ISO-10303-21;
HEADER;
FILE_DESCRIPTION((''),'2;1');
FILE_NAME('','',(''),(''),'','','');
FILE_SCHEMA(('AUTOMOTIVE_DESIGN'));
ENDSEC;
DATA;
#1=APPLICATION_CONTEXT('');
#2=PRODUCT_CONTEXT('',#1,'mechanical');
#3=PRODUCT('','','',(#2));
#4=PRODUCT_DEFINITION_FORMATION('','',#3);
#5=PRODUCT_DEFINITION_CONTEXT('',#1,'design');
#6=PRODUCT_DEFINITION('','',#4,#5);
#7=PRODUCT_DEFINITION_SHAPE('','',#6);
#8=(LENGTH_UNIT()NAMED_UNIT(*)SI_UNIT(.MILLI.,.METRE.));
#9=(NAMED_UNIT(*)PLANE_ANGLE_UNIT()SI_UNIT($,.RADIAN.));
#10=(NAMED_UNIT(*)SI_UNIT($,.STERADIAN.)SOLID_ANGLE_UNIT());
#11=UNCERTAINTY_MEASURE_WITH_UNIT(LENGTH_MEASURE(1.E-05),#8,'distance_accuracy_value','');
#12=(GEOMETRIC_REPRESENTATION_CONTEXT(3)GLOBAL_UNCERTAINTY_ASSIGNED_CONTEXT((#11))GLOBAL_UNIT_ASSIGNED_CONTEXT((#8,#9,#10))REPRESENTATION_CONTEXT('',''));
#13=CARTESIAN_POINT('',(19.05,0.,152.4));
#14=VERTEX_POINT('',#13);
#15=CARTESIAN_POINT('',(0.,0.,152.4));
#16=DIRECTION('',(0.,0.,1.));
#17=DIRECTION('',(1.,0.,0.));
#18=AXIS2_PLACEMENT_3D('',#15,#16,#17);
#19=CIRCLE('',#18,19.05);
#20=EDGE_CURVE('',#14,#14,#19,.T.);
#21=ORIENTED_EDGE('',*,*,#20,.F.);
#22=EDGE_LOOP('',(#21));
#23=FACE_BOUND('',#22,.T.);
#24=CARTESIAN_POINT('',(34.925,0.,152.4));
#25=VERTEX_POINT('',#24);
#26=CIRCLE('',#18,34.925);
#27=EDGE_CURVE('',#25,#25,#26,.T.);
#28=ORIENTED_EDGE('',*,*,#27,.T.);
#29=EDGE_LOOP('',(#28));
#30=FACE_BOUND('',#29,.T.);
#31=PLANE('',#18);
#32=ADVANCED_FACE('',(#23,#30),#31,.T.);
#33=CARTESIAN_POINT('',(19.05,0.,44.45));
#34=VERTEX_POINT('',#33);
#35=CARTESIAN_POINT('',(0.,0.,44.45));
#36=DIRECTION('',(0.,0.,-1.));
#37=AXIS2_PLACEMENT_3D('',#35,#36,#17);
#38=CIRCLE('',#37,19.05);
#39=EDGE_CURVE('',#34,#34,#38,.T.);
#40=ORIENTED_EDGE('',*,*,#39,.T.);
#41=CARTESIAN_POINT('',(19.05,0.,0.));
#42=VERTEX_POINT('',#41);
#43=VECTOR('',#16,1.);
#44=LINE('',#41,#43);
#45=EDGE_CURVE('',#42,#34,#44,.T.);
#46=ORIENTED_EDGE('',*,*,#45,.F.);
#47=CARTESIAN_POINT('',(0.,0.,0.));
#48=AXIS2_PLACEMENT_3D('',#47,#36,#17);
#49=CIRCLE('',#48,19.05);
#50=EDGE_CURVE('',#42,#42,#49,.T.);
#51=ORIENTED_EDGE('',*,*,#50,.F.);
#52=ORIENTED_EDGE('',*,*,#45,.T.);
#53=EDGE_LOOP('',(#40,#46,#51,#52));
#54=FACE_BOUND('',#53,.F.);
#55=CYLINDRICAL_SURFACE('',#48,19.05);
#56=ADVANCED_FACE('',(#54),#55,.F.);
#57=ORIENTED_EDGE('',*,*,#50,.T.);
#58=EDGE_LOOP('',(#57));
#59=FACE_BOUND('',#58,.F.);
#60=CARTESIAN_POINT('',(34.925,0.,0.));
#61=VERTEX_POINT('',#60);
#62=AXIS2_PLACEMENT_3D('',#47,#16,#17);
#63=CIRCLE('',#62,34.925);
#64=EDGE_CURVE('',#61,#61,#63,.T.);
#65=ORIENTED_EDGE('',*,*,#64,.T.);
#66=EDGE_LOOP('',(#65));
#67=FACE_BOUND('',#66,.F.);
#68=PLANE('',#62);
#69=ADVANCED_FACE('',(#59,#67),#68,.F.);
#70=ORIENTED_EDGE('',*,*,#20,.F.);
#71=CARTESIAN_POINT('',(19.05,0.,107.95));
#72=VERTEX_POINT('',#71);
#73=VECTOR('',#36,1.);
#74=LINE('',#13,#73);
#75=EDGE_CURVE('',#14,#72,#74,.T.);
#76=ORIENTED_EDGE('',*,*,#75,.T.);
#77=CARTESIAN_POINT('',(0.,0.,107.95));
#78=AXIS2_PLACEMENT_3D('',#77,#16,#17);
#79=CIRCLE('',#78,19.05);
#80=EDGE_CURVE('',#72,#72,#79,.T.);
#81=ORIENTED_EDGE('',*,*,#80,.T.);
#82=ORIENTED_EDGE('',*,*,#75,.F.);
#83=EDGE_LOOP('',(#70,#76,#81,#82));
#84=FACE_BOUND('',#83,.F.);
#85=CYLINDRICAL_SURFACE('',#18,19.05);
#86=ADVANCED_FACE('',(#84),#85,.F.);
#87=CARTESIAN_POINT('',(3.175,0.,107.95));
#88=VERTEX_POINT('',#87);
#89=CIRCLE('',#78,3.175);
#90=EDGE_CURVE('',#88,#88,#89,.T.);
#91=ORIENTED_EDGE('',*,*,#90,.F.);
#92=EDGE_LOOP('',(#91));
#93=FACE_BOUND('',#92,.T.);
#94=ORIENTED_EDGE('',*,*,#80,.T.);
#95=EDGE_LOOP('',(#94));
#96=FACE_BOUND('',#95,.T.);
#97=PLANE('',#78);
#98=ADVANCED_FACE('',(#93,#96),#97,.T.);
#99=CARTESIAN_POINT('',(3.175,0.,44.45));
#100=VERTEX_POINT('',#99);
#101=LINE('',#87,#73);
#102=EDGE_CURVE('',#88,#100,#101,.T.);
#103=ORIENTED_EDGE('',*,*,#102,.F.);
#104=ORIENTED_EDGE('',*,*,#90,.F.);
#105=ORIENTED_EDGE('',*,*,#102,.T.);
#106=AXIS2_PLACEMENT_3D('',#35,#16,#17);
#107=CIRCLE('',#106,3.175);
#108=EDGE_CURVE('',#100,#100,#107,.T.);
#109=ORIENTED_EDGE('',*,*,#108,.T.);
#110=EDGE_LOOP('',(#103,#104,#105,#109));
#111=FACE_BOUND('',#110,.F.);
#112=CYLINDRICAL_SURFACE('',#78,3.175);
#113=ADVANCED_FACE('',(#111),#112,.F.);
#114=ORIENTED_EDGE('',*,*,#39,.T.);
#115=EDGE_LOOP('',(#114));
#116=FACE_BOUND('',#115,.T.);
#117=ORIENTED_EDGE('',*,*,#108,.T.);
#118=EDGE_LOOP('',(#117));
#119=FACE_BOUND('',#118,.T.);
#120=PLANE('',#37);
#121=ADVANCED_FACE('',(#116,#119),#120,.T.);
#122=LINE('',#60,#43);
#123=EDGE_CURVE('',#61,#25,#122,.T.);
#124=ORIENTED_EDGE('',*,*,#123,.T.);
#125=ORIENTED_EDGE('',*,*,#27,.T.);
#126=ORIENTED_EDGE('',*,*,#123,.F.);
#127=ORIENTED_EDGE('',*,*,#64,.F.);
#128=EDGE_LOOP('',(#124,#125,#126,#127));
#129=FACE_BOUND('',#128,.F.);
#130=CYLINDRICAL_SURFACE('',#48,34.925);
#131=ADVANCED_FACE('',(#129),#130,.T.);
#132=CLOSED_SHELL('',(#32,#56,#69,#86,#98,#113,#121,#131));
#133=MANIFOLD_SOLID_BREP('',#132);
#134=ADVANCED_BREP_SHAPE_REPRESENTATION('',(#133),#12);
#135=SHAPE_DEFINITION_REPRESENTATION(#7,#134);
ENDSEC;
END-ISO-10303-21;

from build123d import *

# Parameters (mm, degrees)
F0_R     = 34.925
F1_DEPTH = 152.4
F2_R     = 19.05
F3_DEPTH = 44.45
F4_R     = 19.05
F5_DEPTH = 44.45
F6_R     = 3.175
F7_DEPTH = 152.4


with BuildPart() as f1:
    # F0 (on Top) → F1 (new body)
    with BuildSketch(Plane.XY):
        Circle(F0_R)
    extrude(amount=F1_DEPTH)

    # F2 (on face) → F3 (cut)
    with BuildSketch(Plane.XY.offset(152.4)):
        Circle(F2_R)
    extrude(amount=-F3_DEPTH, mode=Mode.SUBTRACT)

    # F4 (on face) → F5 (cut)
    with BuildSketch(Plane(origin=(0, 0, 0), x_dir=(1, 0, 0), z_dir=(0, 0, -1))):
        Circle(F4_R)
    extrude(amount=-F5_DEPTH, mode=Mode.SUBTRACT)

    # F6 (on face) → F7 (cut)
    with BuildSketch(Plane.XY.offset(107.95)):
        Circle(F6_R)
    extrude(amount=-F7_DEPTH, mode=Mode.SUBTRACT)


solid = f1.part
